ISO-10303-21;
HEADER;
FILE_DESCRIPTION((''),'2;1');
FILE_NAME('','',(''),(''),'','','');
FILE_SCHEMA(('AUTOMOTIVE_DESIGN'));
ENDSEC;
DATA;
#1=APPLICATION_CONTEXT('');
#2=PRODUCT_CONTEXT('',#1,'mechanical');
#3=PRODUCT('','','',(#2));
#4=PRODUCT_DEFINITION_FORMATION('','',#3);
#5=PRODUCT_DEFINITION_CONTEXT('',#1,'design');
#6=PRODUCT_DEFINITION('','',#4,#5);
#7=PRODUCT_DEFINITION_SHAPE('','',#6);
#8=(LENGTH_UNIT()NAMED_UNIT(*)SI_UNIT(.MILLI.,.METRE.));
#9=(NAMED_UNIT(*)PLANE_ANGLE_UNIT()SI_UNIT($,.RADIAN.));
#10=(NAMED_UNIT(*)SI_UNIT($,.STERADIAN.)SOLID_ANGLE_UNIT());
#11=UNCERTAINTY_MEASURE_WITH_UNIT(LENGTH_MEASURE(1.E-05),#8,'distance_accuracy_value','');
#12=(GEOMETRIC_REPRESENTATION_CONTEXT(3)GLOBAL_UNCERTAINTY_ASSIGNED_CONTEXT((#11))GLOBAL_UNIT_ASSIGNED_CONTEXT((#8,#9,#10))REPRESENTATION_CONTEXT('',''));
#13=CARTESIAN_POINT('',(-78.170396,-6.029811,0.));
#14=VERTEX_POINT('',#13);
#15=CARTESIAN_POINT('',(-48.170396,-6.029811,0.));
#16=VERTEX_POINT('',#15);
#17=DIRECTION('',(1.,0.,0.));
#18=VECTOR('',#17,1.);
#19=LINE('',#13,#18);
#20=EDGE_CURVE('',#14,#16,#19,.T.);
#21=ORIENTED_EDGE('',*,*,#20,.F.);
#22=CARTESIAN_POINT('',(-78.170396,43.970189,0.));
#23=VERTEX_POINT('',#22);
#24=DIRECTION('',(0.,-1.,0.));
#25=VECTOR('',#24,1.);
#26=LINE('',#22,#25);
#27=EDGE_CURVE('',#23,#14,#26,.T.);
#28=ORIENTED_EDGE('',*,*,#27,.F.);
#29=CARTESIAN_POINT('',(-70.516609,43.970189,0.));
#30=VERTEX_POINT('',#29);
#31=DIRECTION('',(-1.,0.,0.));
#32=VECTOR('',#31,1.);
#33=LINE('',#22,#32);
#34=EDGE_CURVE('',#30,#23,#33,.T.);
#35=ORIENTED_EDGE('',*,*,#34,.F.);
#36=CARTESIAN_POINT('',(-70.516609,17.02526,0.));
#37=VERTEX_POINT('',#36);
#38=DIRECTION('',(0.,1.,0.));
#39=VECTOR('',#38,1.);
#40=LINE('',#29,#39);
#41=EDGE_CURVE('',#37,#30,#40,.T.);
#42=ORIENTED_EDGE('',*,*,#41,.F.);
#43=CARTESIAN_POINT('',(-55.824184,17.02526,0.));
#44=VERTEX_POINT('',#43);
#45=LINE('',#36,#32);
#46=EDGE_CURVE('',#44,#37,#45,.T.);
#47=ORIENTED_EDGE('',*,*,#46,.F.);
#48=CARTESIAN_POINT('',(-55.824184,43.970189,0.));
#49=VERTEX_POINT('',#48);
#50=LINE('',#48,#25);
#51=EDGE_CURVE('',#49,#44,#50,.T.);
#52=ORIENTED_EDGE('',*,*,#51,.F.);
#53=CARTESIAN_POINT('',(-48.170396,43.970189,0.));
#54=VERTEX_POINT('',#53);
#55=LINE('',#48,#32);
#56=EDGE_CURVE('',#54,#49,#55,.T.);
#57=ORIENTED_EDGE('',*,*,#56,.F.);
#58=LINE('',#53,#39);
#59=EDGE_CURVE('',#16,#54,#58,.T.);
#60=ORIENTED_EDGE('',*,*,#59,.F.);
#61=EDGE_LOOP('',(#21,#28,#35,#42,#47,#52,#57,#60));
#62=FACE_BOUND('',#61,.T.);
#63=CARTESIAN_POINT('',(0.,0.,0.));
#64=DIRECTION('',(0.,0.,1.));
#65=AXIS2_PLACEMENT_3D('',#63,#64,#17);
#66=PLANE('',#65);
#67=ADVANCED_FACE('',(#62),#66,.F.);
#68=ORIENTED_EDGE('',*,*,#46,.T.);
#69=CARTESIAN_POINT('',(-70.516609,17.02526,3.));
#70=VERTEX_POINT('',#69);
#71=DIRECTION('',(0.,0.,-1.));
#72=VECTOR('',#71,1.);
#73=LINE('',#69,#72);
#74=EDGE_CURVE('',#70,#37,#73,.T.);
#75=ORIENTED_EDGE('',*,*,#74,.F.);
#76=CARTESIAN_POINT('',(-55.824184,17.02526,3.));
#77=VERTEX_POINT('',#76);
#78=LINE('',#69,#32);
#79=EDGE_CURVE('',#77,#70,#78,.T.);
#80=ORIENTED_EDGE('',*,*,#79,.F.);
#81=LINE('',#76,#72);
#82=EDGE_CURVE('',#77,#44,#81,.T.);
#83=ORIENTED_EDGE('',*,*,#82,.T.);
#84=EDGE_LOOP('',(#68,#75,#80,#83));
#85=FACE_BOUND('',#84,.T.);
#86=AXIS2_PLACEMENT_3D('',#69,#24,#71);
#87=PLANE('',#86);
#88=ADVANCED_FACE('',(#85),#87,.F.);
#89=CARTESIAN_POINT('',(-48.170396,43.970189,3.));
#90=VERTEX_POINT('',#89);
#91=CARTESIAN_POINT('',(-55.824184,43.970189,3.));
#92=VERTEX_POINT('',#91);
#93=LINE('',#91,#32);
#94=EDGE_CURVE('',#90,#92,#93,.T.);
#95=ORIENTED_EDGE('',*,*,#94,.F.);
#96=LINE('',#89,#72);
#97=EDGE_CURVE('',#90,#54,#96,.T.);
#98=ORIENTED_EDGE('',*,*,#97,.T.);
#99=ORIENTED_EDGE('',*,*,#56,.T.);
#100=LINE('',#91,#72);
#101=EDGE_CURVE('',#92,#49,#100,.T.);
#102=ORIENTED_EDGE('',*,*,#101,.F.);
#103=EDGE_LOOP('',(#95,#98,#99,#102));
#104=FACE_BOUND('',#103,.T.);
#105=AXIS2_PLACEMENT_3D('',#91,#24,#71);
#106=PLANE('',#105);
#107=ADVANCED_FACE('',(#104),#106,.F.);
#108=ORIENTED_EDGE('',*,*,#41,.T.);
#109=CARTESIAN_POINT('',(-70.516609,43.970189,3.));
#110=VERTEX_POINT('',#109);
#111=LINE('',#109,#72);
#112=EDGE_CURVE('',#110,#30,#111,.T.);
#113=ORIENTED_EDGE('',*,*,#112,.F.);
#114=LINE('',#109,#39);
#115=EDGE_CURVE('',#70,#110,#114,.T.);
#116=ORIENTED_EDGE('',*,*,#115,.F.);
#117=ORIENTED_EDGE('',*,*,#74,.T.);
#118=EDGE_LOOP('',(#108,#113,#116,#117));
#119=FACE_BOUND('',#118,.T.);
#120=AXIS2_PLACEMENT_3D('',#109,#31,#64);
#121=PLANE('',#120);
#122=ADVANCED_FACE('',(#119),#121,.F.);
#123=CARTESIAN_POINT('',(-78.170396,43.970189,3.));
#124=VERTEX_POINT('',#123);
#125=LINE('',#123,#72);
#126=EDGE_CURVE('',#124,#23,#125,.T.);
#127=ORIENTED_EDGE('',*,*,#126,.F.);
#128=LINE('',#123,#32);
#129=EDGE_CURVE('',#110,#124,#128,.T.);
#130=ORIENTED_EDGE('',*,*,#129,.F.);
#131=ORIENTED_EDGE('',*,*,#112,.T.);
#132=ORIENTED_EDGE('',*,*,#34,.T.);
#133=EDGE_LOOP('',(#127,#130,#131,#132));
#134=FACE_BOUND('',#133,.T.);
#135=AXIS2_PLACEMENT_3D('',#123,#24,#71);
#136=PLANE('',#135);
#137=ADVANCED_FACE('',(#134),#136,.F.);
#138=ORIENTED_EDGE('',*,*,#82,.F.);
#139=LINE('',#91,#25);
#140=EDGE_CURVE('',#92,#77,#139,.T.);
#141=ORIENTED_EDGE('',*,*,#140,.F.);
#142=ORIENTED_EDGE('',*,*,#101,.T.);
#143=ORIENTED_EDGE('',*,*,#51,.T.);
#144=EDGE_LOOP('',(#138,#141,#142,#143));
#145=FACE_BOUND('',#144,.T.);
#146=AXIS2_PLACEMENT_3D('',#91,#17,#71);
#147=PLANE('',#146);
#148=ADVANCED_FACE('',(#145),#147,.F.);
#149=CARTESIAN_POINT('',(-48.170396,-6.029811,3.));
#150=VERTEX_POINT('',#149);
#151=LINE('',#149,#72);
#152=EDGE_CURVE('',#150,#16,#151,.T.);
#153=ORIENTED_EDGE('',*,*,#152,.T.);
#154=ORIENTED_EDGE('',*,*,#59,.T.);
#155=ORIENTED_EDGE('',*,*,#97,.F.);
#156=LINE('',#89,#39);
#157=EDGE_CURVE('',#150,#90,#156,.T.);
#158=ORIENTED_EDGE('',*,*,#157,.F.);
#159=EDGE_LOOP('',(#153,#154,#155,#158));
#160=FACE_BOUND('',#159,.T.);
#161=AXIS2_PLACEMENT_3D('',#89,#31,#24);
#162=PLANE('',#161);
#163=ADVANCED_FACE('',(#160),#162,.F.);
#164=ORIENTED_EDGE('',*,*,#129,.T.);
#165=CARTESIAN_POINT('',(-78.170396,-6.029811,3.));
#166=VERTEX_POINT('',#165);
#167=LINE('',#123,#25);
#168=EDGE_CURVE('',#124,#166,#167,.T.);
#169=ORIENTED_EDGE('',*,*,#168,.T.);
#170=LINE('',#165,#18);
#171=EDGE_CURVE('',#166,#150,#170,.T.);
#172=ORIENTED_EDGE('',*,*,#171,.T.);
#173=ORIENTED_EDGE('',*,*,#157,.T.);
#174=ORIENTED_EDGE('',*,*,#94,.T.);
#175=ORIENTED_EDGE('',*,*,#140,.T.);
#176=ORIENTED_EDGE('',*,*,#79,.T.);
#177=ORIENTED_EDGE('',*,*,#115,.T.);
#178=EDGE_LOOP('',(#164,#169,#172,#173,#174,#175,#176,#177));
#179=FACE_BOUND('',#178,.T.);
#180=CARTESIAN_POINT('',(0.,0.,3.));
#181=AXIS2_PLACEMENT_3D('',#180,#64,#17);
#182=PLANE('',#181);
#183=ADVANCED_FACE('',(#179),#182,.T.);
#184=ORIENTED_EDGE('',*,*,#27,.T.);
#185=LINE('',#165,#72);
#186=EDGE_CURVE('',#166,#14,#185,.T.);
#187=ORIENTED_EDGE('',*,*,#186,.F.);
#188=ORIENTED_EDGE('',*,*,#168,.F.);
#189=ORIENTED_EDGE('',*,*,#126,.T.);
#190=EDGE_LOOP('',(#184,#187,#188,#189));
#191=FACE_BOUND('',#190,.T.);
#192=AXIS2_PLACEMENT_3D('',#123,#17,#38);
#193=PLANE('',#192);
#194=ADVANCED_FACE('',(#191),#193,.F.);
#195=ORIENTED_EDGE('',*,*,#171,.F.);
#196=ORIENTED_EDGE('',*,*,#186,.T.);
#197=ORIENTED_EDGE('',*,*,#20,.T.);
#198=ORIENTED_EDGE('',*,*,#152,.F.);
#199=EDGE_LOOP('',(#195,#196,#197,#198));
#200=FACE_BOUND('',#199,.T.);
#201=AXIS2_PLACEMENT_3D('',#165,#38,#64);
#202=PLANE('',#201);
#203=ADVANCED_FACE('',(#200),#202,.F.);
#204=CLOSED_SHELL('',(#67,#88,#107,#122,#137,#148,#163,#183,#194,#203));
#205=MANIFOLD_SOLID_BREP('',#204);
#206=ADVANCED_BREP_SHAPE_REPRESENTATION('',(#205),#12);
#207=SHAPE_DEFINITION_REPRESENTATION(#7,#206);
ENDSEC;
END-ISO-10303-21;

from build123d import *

# Parameters (mm, degrees)
BOSS_EXTRU_1_DEPTH = 3


with BuildPart() as part:
    # Esquisse1 → Boss.-Extru.1 (new body)
    with BuildSketch(Plane.XY):
        Polygon((-55.824183593, 43.970188902), (-48.170396409, 43.970188902), (-48.170396409, -6.029811098), (-78.170396409, -6.029811098), (-78.170396409, 43.970188902), (-70.516609226, 43.970188902), (-70.516609226, 17.025260195), (-55.824183593, 17.025260195), align=None)
    extrude(amount=BOSS_EXTRU_1_DEPTH)


solid = part.part
